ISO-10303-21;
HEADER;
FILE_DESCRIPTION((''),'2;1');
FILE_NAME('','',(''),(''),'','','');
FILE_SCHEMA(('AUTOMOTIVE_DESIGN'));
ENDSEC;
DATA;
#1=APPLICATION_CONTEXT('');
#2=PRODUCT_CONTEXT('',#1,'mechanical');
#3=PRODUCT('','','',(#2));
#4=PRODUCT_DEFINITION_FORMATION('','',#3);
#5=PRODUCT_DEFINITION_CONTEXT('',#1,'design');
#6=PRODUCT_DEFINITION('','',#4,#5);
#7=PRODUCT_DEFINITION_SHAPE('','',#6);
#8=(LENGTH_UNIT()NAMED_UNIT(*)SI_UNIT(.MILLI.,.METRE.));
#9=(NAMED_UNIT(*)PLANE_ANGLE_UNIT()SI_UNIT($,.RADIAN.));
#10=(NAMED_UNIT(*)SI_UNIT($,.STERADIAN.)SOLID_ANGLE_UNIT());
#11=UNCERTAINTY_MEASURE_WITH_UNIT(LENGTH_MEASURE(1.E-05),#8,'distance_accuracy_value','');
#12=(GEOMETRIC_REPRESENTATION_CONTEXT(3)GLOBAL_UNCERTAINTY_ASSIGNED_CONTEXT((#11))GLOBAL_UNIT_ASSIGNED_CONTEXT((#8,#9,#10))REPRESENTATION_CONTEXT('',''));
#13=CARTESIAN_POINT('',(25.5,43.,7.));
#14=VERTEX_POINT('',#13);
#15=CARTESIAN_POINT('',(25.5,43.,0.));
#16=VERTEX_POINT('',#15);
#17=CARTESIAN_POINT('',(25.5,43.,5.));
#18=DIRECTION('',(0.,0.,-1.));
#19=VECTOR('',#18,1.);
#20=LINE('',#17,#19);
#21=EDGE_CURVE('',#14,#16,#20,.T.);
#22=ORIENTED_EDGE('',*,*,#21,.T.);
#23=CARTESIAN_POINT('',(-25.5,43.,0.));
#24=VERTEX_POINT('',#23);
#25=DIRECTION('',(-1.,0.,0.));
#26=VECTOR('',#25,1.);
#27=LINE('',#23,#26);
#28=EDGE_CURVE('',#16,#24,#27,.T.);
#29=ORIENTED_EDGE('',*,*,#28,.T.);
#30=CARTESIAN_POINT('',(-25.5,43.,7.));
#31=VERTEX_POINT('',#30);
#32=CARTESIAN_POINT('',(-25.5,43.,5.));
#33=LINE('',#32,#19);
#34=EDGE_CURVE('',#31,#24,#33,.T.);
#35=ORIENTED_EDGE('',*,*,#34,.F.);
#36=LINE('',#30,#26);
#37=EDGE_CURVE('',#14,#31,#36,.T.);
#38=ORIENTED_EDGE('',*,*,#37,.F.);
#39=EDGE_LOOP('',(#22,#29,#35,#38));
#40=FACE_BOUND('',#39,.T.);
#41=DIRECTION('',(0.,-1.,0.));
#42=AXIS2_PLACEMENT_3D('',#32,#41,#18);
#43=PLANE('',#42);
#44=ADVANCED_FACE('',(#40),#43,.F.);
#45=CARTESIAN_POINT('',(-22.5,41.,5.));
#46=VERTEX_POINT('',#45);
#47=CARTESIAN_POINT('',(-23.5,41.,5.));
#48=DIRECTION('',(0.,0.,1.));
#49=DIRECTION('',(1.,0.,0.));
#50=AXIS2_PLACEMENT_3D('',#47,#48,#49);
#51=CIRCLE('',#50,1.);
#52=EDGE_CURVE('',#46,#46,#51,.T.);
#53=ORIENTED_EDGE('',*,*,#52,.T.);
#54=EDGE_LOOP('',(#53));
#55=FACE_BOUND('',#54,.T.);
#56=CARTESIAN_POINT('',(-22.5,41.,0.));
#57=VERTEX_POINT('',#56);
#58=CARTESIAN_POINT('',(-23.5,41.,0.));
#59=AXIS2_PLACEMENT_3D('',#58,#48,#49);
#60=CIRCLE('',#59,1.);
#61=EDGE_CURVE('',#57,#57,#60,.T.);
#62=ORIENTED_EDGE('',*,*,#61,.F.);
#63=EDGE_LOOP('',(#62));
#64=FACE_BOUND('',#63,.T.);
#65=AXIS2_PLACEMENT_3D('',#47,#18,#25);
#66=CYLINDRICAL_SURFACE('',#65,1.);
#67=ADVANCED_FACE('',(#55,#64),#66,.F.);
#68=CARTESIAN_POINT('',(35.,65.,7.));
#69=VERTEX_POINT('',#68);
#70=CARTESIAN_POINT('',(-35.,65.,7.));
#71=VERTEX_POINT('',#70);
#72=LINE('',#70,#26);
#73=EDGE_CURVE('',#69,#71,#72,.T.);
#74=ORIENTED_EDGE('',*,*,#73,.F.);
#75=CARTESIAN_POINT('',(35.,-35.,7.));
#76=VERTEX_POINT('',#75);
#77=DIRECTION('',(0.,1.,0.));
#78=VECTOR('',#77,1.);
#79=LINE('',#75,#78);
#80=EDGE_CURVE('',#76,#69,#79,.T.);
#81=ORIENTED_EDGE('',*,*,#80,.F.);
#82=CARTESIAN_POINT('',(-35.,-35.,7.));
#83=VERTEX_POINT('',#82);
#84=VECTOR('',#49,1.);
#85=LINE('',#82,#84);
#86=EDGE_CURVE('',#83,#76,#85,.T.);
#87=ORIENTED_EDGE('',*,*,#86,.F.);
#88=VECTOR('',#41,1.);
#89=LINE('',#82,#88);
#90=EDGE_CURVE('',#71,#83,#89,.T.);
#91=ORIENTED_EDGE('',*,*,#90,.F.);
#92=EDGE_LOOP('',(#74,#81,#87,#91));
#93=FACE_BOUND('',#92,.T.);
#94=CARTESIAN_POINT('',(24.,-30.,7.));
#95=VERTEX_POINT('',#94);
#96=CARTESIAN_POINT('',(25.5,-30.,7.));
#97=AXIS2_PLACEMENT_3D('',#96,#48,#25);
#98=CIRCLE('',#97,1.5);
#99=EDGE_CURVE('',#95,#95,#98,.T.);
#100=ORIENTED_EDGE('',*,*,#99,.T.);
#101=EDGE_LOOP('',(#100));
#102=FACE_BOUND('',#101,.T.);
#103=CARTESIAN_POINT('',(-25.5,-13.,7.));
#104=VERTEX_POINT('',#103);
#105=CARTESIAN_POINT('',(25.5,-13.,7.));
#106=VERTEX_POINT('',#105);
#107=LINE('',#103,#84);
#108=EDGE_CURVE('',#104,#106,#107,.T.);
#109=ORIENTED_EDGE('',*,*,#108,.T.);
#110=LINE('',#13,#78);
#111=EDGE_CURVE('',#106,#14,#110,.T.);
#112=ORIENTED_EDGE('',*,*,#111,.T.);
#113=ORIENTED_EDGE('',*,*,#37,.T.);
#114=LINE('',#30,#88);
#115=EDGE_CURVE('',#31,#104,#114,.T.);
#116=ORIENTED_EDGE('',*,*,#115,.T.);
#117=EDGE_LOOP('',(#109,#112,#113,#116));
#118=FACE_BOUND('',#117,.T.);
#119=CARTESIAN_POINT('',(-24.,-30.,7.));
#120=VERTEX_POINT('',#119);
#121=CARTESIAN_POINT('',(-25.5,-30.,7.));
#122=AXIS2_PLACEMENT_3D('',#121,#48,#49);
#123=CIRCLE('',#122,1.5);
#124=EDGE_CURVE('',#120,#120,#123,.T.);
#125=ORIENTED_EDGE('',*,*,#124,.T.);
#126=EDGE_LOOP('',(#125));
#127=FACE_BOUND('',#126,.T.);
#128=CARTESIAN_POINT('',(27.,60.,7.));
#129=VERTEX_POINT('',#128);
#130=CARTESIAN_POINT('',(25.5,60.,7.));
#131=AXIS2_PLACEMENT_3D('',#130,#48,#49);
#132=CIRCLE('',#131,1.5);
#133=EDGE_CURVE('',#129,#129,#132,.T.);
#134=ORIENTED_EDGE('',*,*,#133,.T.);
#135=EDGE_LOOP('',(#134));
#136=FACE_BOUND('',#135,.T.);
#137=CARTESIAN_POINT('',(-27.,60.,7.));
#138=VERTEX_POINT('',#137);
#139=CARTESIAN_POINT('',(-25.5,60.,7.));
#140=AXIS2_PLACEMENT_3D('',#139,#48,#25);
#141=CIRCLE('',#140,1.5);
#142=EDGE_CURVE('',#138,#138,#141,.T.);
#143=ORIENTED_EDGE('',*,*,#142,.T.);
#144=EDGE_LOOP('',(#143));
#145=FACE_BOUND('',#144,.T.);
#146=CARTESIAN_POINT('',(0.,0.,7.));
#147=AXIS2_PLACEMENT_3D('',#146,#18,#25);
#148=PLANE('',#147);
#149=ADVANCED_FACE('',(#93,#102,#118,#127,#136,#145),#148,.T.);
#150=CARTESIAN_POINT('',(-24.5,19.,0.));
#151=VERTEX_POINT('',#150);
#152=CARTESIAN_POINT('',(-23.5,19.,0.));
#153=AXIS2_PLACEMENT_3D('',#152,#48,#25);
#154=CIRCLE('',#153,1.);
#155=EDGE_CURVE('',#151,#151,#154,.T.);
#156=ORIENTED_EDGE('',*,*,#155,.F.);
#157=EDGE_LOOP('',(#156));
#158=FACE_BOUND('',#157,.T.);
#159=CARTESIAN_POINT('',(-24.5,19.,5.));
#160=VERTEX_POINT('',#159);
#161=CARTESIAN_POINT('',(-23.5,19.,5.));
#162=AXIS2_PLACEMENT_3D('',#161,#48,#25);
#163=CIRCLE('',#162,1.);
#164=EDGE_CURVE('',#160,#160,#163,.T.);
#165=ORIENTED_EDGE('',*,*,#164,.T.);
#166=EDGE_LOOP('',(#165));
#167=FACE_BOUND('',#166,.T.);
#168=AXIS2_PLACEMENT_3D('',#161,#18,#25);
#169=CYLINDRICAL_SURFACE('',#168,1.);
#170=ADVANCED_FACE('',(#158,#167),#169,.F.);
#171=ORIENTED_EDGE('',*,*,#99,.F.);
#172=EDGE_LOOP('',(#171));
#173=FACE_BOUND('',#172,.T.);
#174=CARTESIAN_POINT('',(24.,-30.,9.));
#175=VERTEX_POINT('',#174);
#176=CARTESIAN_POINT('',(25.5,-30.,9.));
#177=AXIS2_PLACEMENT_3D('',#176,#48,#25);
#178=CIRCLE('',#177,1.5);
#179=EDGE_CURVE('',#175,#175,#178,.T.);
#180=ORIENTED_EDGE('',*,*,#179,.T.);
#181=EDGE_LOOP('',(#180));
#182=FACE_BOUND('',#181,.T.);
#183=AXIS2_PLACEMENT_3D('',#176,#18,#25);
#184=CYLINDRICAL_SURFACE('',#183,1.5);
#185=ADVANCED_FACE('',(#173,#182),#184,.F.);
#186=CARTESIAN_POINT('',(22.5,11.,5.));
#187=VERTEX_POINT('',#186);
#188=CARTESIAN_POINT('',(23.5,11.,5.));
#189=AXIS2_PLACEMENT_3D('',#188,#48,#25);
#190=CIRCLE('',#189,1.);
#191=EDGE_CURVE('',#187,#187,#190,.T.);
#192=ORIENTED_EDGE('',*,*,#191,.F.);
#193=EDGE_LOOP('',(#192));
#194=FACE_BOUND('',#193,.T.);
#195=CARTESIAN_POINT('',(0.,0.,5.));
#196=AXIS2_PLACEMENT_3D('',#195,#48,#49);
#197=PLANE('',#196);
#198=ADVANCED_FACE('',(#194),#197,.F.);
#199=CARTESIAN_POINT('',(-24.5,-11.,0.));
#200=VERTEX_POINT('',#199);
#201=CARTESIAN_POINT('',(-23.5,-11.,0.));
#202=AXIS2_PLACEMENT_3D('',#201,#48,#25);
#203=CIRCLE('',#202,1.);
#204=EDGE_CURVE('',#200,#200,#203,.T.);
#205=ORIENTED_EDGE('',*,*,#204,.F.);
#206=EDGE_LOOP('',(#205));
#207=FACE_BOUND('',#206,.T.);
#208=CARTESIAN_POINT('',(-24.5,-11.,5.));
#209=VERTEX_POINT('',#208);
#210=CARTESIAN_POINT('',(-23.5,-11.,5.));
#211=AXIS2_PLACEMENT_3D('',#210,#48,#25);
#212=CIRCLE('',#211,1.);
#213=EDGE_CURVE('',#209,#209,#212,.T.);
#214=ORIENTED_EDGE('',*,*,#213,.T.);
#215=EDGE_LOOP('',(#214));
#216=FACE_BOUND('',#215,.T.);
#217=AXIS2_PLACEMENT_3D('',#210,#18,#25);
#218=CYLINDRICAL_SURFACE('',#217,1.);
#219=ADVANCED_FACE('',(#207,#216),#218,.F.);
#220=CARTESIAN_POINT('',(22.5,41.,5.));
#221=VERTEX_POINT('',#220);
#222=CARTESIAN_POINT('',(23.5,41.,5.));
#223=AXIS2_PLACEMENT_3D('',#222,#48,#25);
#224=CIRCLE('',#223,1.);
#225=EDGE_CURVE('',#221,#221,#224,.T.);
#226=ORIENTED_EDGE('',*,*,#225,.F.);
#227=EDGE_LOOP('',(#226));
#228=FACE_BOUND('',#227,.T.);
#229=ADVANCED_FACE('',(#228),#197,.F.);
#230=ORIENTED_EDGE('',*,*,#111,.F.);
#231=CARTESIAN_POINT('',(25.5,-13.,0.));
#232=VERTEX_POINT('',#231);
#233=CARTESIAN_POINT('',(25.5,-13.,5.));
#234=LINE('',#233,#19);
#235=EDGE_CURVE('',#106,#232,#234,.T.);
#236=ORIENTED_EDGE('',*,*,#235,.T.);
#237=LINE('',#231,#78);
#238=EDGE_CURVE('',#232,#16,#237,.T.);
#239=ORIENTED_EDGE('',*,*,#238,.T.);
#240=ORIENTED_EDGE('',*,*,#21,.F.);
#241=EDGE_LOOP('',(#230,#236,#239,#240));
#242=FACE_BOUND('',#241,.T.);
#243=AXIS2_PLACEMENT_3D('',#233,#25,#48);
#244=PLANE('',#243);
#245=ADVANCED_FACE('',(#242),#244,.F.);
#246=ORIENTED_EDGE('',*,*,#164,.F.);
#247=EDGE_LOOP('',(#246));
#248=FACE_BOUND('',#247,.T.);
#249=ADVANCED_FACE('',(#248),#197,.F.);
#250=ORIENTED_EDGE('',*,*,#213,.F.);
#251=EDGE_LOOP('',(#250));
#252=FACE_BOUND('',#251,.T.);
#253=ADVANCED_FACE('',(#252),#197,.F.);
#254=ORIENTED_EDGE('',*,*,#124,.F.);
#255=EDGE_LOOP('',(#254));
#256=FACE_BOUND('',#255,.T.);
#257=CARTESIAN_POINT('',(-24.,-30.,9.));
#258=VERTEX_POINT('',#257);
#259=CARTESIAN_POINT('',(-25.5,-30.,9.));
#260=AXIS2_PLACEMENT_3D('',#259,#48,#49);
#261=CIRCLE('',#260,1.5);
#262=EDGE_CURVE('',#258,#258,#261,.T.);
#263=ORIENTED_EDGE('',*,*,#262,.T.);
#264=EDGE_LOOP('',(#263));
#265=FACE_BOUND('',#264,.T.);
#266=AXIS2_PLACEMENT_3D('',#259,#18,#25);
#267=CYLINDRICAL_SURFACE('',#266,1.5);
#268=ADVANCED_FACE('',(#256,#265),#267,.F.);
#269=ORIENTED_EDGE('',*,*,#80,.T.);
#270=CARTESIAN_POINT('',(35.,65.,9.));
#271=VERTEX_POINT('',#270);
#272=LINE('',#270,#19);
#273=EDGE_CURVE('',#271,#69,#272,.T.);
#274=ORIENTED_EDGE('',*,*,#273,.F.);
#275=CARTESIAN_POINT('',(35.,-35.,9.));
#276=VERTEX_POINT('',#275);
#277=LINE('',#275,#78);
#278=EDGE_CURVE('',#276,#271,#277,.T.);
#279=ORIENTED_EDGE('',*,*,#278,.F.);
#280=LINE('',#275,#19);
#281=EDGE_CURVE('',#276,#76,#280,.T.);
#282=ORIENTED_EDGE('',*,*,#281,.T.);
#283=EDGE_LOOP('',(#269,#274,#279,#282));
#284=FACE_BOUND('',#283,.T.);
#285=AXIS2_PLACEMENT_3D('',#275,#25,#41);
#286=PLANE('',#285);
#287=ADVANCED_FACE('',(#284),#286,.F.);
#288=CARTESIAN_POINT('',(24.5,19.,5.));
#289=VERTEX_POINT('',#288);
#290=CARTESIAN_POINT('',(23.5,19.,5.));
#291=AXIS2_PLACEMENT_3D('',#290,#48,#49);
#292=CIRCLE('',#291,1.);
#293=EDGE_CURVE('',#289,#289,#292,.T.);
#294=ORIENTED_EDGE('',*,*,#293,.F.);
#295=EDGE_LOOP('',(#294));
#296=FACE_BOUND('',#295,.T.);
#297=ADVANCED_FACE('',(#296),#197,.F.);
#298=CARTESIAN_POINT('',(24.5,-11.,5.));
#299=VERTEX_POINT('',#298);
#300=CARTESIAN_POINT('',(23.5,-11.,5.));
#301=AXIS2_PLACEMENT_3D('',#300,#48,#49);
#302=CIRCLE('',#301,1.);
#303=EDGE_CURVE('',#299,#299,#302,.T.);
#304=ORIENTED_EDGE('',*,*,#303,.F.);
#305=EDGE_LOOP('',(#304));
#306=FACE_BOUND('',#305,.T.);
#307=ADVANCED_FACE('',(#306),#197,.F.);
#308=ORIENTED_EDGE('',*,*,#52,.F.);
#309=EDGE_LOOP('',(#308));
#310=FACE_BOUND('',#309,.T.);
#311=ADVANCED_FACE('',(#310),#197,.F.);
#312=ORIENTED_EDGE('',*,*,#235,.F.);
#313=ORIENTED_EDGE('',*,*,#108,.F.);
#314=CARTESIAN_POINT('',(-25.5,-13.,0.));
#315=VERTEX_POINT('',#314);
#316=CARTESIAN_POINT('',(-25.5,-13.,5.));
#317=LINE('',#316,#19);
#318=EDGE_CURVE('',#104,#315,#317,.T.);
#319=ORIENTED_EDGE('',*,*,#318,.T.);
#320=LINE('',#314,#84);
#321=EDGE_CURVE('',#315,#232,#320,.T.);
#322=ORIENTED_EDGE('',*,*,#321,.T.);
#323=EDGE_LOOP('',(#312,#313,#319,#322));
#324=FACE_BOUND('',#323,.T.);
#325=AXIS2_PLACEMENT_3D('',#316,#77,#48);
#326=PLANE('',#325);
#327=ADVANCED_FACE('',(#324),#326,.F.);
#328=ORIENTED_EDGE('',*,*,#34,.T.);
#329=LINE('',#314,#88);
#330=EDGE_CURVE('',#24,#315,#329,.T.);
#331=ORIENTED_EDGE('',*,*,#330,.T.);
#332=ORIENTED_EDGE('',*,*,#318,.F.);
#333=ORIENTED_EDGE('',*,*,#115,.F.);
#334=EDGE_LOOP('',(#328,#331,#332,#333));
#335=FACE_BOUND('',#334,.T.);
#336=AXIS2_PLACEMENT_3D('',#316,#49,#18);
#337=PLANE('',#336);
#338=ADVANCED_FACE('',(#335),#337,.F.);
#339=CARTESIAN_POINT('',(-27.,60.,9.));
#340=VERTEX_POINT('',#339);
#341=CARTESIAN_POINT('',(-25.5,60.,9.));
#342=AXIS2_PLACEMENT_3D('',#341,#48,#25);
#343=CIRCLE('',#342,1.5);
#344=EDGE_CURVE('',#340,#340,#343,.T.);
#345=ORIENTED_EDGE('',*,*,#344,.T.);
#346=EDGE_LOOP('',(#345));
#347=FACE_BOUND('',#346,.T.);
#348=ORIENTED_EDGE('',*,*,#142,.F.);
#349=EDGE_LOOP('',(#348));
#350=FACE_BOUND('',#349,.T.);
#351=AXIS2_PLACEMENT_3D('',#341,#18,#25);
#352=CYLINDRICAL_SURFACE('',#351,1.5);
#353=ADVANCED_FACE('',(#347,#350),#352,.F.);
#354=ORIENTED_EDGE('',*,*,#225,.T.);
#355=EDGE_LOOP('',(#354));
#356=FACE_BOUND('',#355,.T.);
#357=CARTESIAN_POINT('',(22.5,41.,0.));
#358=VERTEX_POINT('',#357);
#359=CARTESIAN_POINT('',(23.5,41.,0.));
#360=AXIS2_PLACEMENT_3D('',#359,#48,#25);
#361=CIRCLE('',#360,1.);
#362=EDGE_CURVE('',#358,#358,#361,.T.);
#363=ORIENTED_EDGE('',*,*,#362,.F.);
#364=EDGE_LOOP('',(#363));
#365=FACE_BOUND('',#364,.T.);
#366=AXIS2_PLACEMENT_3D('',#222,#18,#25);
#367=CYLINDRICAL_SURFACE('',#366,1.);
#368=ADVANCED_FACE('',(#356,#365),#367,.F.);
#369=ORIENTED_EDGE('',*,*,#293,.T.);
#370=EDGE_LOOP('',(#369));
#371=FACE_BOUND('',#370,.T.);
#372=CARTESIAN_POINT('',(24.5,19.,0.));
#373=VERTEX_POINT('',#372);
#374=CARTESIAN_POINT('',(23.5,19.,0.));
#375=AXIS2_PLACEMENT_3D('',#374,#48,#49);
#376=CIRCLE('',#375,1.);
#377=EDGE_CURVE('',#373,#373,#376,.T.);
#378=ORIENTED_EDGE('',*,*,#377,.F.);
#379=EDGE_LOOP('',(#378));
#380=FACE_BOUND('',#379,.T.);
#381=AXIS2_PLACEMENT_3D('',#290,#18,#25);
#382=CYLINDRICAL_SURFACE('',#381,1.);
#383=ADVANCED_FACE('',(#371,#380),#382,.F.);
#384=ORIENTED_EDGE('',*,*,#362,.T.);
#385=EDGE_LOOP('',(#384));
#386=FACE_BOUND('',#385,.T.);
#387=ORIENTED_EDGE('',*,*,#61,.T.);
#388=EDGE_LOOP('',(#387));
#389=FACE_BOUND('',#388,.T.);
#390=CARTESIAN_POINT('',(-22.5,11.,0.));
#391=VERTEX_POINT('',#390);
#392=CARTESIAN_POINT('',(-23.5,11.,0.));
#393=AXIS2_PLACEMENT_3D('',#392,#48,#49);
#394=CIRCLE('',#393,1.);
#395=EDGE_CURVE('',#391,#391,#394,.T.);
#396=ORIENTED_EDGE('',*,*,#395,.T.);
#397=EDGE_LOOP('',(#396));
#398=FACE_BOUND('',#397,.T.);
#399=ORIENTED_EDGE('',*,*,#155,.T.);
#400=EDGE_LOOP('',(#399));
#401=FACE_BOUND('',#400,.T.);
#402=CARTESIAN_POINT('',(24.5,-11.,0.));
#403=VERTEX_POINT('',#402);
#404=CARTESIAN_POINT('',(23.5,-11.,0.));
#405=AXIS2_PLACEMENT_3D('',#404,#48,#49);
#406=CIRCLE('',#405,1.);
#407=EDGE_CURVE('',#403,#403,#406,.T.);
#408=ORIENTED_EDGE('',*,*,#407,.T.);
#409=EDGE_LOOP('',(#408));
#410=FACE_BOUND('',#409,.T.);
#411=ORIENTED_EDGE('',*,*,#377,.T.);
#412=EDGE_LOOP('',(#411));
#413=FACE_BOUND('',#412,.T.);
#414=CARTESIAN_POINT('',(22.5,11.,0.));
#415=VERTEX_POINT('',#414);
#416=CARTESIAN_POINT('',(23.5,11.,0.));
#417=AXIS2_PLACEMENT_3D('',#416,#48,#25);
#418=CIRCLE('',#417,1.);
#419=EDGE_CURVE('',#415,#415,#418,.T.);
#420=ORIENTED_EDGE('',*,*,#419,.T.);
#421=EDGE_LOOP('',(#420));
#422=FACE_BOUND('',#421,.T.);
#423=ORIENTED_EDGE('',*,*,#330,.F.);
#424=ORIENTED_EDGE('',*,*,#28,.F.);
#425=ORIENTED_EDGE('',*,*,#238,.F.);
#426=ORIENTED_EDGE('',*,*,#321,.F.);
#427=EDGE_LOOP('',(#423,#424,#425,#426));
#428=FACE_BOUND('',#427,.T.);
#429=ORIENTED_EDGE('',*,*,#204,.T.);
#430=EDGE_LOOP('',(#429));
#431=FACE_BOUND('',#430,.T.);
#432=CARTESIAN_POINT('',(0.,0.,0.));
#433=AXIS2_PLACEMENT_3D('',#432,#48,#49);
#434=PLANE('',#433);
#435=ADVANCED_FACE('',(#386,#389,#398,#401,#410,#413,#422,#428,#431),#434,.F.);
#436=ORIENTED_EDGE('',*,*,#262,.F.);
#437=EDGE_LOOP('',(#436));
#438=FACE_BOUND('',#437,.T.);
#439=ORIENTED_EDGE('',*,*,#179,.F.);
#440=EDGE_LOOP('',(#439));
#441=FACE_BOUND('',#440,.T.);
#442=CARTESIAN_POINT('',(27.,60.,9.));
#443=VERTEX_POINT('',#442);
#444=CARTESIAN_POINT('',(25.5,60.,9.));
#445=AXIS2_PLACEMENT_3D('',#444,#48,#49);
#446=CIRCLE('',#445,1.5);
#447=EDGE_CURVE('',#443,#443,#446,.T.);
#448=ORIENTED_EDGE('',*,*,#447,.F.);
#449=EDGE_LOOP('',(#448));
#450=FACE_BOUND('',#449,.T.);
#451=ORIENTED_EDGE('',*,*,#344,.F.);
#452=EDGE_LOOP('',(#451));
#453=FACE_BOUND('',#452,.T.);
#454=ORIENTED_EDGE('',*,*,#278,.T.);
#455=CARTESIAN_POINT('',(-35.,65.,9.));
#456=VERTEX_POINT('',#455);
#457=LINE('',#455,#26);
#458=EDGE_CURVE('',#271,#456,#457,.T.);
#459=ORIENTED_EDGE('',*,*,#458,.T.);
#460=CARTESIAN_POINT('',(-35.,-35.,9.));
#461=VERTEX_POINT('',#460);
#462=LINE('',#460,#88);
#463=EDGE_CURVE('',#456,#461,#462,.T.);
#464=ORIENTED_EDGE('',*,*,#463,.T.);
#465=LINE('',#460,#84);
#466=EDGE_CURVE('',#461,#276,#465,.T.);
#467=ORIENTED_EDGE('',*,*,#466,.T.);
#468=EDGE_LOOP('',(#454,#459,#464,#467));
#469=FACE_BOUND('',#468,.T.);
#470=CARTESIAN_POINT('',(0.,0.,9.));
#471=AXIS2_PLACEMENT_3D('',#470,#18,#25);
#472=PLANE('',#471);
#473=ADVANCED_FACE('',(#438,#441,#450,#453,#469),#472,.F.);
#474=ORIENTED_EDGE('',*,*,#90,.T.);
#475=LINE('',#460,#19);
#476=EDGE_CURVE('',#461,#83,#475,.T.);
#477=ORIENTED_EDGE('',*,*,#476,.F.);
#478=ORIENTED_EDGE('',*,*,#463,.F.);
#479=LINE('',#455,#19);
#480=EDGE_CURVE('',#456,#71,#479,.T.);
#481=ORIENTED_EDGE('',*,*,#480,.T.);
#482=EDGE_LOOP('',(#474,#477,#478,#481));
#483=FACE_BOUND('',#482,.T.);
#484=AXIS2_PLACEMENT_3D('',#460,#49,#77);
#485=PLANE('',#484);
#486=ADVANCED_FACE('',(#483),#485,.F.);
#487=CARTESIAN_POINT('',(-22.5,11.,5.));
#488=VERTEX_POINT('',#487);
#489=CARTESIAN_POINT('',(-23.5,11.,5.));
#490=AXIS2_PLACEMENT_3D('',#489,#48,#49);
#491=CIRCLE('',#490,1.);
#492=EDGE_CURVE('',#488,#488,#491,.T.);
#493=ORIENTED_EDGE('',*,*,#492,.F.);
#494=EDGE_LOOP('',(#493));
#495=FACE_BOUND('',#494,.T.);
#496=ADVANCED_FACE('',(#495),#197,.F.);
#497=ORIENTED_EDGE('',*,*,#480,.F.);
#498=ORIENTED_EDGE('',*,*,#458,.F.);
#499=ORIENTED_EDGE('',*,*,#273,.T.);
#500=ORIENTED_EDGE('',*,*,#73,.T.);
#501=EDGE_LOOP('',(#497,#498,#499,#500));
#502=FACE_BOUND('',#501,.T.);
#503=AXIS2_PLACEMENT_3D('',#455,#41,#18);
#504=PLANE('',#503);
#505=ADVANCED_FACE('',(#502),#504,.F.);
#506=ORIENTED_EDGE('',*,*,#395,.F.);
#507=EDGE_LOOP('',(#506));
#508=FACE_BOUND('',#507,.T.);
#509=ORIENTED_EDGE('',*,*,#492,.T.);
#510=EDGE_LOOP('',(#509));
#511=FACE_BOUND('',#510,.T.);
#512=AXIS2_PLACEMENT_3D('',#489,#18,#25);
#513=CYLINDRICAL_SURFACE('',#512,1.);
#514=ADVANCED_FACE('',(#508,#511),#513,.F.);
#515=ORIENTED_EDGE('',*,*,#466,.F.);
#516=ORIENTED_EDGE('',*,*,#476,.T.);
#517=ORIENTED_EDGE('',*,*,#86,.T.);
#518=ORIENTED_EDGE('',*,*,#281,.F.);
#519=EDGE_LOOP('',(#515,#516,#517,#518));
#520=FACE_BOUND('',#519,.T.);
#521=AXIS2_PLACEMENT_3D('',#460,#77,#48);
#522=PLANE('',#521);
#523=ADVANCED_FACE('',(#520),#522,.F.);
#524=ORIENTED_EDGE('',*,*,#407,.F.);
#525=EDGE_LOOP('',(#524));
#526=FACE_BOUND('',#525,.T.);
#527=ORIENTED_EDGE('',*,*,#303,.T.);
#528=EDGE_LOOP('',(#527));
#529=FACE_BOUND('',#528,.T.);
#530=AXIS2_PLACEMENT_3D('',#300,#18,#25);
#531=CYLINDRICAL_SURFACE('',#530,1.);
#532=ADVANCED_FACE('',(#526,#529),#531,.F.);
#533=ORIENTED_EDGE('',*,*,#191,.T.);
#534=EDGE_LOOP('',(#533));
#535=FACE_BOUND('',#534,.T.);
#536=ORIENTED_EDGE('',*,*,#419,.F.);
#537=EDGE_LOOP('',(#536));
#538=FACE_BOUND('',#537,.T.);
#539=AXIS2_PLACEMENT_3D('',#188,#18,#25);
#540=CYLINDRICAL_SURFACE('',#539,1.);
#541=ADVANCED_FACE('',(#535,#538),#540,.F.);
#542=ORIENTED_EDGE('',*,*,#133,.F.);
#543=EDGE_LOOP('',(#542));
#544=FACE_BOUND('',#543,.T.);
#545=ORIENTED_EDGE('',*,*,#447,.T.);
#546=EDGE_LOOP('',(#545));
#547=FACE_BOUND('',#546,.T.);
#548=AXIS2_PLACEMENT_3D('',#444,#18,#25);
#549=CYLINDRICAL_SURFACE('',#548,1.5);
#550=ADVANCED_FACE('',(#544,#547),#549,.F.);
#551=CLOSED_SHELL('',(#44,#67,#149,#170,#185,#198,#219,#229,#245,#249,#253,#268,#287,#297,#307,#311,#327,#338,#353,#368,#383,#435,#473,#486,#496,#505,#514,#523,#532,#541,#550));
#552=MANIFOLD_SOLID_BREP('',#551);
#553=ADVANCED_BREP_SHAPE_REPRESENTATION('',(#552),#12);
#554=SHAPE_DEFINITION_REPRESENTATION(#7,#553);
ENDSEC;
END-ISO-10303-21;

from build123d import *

# Parameters (mm, degrees)
SKETCH1_R           = 1
BOSS_EXTRUDE1_DEPTH = 5
SKETCH3_W           = 51
SKETCH3_H           = 56
BOSS_EXTRUDE3_DEPTH = 2
SKETCH7_W           = 70
SKETCH7_H           = 100
SKETCH7_R           = 1.5
BOSS_EXTRUDE5_DEPTH = 2


with BuildPart() as part:
    # Sketch1 → Boss-Extrude1 (new body)
    with BuildSketch(Plane.XY):
        Polygon((-25.5, -13), (25.5, -13), (25.5, 13), (25.5, 17), (25.5, 43), (-25.5, 43), (-25.5, 17), (-25.5, 13), align=None)
        with Locations((-23.500000003, 11.000000003)):
            Circle(SKETCH1_R, mode=Mode.SUBTRACT)
        with Locations((-23.500000003, -11.000000003)):
            Circle(SKETCH1_R, mode=Mode.SUBTRACT)
        with Locations((23.500000003, -11.000000003)):
            Circle(SKETCH1_R, mode=Mode.SUBTRACT)
        with Locations((23.500000003, 11.000000003)):
            Circle(SKETCH1_R, mode=Mode.SUBTRACT)
        with Locations((23.500000003, 18.999999997)):
            Circle(SKETCH1_R, mode=Mode.SUBTRACT)
        with Locations((23.500000003, 41.000000003)):
            Circle(SKETCH1_R, mode=Mode.SUBTRACT)
        with Locations((-23.500000003, 41.000000003)):
            Circle(SKETCH1_R, mode=Mode.SUBTRACT)
        with Locations((-23.500000003, 18.999999997)):
            Circle(SKETCH1_R, mode=Mode.SUBTRACT)
    extrude(amount=BOSS_EXTRUDE1_DEPTH)

    # Sketch3 → Boss-Extrude3 (add)
    with BuildSketch(Plane.XY.offset(5)):
        with Locations((0, 15)):
            Rectangle(SKETCH3_W, SKETCH3_H)
    extrude(amount=BOSS_EXTRUDE3_DEPTH)

    # Sketch7 → Boss-Extrude5 (add)
    with BuildSketch(Plane.XY.offset(7)):
        with Locations((0, 15)):
            Rectangle(SKETCH7_W, SKETCH7_H)
        with Locations((-25.5, -30)):
            Circle(SKETCH7_R, mode=Mode.SUBTRACT)
        with Locations((25.5, -30)):
            Circle(SKETCH7_R, mode=Mode.SUBTRACT)
        with Locations((25.5, 60)):
            Circle(SKETCH7_R, mode=Mode.SUBTRACT)
        with Locations((-25.5, 60)):
            Circle(SKETCH7_R, mode=Mode.SUBTRACT)
    extrude(amount=BOSS_EXTRUDE5_DEPTH)


solid = part.part
